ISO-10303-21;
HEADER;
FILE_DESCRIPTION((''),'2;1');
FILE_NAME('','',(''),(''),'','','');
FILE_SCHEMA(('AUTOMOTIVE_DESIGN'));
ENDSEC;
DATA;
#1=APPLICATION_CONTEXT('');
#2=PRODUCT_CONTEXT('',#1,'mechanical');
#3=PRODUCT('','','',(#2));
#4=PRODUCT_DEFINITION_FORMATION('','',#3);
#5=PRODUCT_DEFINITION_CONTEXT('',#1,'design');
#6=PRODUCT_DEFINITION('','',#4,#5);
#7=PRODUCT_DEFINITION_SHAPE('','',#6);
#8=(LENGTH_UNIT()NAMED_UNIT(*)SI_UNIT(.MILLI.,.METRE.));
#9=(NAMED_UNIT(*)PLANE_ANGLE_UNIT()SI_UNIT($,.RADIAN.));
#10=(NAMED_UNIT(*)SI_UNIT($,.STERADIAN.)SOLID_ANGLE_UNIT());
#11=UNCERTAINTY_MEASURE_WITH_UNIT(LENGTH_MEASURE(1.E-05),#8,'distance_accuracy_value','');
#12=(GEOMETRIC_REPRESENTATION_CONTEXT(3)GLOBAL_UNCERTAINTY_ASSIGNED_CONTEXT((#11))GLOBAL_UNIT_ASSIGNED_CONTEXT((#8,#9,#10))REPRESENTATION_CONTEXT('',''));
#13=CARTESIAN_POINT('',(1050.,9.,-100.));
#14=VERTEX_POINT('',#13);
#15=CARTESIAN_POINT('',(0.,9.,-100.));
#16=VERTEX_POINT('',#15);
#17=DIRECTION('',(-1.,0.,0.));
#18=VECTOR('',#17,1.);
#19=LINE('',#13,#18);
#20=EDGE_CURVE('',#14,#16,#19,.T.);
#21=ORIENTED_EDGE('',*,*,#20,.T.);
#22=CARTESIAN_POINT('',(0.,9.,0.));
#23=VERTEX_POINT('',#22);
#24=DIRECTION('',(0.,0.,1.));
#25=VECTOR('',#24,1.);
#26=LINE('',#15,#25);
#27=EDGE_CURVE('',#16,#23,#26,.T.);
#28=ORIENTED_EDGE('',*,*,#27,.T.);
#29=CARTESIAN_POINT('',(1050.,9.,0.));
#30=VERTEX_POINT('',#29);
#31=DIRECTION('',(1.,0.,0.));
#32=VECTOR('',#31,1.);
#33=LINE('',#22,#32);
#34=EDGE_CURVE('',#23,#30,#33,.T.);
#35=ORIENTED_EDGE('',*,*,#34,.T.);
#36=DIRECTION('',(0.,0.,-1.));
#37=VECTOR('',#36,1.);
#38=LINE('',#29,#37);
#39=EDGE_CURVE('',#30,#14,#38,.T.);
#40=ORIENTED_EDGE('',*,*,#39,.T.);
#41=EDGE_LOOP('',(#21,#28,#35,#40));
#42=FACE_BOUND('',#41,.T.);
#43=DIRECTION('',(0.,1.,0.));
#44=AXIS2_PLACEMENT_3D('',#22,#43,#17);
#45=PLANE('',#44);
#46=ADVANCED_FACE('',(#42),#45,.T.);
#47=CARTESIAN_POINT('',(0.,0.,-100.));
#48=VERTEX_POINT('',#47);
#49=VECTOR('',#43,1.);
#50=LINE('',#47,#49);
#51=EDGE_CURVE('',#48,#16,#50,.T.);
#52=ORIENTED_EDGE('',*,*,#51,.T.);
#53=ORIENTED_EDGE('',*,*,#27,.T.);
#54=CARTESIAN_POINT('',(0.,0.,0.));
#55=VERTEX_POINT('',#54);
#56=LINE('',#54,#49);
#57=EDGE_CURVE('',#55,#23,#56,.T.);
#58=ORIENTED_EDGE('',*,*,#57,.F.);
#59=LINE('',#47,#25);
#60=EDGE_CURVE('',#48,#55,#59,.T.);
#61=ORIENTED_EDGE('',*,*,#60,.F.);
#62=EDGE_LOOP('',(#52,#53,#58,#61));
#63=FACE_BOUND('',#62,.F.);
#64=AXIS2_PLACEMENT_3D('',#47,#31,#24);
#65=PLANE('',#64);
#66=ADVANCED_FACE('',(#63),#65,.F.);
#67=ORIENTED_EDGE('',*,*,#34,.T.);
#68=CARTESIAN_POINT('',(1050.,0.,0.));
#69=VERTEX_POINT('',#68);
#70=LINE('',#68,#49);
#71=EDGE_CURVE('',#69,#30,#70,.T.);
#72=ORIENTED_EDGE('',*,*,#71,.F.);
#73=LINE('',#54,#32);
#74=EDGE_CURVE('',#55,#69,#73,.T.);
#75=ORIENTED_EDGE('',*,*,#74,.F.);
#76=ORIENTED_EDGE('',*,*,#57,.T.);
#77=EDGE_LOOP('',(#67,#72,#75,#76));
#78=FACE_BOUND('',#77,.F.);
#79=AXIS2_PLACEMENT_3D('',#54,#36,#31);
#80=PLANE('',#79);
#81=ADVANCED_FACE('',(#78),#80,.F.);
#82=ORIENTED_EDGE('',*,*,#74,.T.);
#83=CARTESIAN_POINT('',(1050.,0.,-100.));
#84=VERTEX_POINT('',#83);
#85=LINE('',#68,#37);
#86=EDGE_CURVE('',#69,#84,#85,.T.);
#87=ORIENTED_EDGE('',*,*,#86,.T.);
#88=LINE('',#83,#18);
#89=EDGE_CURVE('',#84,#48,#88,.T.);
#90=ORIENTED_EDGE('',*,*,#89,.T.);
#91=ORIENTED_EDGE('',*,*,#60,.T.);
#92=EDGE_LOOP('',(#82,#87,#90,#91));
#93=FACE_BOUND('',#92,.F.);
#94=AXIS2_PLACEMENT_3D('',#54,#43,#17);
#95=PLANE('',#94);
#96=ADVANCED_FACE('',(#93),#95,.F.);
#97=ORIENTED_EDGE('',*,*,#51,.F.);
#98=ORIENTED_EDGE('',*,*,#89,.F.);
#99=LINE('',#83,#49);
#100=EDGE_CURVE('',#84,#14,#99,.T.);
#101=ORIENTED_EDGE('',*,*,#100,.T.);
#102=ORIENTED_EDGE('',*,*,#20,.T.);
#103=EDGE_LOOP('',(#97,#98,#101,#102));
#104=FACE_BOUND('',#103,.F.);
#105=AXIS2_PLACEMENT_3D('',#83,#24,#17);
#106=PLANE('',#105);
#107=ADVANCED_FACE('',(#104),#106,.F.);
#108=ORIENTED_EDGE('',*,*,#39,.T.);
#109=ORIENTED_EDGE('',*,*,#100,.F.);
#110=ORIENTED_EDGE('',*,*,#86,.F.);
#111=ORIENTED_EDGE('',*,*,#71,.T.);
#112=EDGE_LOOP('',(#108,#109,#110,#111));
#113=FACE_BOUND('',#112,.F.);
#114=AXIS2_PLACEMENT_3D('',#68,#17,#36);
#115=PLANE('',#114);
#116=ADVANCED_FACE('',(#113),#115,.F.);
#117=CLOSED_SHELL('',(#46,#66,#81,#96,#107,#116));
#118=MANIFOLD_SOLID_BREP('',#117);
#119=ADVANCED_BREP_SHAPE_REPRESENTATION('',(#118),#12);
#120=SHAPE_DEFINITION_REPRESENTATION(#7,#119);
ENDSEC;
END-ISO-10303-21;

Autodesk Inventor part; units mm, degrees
ref_plane "YZ Plane" through (0, 0, 0) normal (1, 0, 0) x (0, 1, 0)
ref_plane "XZ Plane" through (0, 0, 0) normal (0, 1, 0) x (-1, 0, 0)
ref_plane "XY Plane" through (0, 0, 0) normal (0, 0, 1) x (1, 0, 0)
sketch "Sketch1" plane through (0, 0, 0) normal (0, 1, 0) x (-1, 0, 0)
  line L0 (0, 0) -> (-1050, 0)
  line L1 (-1050, 0) -> (-1050, -100)
  line L2 (-1050, -100) -> (0, -100)
  line L3 (0, -100) -> (0, 0)
  dimension "d0" = 1050
  dimension "d1" = 100
extrude "Extrusion1" add sketch "Sketch1" along normal blind 9
properties part number "long"
